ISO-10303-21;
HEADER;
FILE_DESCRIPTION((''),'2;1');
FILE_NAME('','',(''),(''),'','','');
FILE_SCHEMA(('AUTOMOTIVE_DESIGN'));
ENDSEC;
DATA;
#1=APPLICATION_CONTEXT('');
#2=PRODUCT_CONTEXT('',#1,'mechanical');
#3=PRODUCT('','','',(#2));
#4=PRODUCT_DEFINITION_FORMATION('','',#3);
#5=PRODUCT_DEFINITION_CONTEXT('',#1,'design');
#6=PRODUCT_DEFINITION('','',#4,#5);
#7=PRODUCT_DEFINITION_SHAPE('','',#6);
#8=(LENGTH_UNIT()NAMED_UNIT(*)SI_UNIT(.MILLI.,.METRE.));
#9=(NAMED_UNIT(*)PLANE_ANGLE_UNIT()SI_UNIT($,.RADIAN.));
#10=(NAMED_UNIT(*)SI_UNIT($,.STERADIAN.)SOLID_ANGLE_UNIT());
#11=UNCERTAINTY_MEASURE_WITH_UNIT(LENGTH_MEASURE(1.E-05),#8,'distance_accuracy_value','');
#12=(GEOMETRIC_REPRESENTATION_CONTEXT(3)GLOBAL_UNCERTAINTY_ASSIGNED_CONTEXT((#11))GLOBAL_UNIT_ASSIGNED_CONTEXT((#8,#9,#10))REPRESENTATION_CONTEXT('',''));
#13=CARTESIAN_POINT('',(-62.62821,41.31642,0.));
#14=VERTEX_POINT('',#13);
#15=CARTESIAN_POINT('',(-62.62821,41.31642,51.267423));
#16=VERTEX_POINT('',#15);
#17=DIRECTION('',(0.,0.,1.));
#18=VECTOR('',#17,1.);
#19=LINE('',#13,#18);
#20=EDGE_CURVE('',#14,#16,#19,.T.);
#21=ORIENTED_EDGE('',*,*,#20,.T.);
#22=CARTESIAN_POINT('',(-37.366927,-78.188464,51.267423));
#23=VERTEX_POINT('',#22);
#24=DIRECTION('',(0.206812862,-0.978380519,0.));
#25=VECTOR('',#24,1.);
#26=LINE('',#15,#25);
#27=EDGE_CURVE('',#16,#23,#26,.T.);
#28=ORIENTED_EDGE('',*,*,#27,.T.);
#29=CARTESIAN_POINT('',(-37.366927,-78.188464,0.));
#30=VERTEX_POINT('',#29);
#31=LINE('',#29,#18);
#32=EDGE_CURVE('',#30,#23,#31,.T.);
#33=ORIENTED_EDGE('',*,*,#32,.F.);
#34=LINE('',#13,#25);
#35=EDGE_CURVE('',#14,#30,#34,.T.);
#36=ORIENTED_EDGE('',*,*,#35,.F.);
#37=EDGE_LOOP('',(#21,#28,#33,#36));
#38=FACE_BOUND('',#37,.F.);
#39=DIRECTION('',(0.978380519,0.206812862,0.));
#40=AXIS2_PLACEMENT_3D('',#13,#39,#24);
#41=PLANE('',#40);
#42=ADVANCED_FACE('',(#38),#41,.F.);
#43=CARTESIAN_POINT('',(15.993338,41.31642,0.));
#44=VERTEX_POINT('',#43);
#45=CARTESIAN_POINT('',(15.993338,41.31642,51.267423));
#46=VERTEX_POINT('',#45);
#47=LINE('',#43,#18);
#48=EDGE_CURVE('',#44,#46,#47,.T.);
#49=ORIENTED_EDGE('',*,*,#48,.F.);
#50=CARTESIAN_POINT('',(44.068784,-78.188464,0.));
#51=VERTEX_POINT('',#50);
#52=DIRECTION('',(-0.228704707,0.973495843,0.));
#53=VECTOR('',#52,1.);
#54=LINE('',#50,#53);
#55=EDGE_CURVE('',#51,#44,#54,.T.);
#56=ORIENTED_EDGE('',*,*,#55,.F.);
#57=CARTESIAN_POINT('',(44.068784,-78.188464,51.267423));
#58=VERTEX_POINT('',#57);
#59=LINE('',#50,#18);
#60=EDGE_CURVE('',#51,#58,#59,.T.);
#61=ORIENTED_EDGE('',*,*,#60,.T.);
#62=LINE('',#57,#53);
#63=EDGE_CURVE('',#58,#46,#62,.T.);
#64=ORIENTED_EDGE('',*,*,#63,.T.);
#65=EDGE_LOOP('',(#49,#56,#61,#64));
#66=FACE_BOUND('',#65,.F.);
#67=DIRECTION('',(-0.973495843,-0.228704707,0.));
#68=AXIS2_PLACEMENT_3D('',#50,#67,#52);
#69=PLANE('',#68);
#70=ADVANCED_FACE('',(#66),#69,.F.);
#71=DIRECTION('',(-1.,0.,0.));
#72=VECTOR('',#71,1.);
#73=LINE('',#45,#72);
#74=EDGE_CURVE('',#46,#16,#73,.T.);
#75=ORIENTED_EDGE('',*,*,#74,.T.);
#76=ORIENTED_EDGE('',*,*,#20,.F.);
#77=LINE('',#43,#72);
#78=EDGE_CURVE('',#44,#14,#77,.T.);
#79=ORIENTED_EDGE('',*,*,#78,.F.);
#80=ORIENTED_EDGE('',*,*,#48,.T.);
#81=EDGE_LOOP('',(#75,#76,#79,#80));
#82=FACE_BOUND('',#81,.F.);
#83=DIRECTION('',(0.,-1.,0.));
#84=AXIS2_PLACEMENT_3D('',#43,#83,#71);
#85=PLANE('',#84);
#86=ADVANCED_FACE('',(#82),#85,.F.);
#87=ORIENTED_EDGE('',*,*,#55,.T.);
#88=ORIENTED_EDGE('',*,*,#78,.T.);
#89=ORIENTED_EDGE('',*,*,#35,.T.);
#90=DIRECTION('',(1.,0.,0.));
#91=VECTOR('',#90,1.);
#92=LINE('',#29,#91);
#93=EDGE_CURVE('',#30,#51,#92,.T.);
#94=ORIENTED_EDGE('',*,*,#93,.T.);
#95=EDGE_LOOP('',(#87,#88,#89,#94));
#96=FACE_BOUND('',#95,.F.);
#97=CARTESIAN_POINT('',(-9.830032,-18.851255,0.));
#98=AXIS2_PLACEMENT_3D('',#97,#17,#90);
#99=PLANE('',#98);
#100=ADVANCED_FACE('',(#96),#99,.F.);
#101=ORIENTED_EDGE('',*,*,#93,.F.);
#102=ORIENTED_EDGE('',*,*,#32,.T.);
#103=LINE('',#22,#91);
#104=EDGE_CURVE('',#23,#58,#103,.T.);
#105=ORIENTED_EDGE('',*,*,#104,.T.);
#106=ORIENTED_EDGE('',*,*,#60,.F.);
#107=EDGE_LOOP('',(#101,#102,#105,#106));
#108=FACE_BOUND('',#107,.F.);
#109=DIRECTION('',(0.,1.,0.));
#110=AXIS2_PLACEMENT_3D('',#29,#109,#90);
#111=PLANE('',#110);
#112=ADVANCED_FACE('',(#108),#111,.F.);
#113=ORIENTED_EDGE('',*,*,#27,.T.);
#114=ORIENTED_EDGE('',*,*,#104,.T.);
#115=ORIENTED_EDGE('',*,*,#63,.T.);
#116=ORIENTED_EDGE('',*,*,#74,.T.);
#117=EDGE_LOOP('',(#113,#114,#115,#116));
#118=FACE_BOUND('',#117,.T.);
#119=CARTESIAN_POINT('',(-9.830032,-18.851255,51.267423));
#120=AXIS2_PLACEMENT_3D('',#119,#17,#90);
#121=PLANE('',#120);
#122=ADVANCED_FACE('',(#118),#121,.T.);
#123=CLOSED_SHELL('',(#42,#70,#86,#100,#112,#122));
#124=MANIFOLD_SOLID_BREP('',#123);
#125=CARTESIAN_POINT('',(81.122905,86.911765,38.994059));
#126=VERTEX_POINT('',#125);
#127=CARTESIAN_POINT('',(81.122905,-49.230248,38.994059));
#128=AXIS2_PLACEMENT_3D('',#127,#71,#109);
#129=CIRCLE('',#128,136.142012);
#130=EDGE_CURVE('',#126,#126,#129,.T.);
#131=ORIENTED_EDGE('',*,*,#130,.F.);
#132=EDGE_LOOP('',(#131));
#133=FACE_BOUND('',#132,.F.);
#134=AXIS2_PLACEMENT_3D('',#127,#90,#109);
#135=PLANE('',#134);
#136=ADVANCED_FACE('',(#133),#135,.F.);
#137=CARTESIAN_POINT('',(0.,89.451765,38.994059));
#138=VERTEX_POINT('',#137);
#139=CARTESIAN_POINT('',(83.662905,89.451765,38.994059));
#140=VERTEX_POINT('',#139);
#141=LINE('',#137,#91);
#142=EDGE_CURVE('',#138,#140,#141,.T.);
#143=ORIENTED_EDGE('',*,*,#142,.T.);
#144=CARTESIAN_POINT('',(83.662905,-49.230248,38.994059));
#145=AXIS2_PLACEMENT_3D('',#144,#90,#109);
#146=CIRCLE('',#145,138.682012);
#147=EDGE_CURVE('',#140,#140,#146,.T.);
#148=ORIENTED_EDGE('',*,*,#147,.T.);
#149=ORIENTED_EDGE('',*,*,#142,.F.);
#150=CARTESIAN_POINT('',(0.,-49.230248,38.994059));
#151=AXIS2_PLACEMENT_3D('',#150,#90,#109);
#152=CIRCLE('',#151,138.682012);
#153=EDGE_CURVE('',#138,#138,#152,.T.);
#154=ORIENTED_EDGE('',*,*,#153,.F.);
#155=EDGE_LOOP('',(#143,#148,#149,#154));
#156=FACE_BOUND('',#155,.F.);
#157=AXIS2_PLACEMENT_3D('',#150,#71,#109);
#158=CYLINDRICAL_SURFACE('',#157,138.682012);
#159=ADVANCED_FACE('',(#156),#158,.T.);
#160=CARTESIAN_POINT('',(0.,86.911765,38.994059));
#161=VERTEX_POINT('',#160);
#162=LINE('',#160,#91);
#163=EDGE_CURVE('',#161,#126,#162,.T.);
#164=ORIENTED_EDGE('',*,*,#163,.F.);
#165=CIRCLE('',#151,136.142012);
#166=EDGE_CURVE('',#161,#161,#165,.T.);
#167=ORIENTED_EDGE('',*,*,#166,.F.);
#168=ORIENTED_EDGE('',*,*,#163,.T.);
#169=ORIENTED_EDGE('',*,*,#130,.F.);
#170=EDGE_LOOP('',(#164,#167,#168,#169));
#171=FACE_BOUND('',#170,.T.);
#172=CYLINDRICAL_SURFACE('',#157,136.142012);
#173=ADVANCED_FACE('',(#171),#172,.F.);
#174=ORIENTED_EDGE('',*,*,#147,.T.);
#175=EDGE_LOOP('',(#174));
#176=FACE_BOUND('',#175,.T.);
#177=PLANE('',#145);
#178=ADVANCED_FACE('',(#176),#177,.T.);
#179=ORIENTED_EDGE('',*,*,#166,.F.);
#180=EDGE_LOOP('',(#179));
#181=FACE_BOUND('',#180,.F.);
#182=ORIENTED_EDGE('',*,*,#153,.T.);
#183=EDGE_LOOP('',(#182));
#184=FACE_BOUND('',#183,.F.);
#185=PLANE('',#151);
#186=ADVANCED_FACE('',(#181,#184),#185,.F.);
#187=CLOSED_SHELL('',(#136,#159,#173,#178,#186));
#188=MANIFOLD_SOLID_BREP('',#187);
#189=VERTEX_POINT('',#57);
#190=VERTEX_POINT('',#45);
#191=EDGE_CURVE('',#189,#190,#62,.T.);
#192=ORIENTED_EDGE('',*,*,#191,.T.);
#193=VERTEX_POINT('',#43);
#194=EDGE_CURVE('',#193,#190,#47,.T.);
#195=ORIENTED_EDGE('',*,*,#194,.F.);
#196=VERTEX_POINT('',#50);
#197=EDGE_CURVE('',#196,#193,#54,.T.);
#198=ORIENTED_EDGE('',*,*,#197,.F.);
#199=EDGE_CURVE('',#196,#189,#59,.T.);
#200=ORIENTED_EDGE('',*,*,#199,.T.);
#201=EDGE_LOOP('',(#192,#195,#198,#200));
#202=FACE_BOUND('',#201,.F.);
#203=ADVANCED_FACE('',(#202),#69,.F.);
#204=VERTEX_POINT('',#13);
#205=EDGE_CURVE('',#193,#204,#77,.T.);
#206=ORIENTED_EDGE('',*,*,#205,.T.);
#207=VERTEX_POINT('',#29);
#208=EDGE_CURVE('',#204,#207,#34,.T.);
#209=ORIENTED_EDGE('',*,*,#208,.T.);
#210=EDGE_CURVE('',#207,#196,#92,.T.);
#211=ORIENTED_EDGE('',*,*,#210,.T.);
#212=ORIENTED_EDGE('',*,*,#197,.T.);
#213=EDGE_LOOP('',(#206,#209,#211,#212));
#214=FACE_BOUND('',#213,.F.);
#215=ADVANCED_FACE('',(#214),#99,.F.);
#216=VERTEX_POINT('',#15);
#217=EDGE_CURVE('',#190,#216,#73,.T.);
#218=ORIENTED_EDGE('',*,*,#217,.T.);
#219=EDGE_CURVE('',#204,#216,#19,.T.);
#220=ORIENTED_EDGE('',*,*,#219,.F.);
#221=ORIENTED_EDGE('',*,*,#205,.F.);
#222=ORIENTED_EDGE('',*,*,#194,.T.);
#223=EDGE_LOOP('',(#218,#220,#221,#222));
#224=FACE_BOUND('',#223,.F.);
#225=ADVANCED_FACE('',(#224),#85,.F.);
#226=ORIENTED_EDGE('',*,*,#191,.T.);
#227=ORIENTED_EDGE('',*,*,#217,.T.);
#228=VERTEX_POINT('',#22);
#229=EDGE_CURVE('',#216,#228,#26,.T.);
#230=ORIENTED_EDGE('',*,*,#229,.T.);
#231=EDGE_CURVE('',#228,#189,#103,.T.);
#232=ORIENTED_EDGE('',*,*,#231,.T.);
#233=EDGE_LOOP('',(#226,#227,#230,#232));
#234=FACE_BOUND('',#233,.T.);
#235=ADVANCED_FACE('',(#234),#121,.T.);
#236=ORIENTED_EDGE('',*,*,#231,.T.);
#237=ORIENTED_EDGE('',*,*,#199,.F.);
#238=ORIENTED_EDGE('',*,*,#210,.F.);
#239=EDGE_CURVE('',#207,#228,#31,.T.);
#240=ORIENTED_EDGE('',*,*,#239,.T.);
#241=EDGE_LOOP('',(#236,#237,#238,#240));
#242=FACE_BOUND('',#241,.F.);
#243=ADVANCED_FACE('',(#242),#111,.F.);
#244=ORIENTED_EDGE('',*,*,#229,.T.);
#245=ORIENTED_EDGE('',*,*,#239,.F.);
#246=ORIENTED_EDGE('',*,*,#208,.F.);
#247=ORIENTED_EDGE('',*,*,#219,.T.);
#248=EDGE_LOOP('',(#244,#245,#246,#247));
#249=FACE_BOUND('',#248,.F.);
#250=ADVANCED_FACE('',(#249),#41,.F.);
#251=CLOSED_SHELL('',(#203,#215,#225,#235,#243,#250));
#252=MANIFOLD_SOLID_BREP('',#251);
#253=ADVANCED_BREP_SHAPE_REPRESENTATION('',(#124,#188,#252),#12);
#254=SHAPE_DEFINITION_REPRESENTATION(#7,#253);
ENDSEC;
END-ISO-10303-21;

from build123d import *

# Parameters (mm, degrees)
F2_DEPTH = 51.2674227357
F3_R     = 138.682012458
F4_DEPTH = 83.662904799
F5_T     = -2.54


with BuildPart() as f2:
    # F1 (on face) → F2 (new body)
    with BuildSketch(Plane.XY):
        Polygon((44.0687835217, -78.1884640455), (15.9933380783, 41.3164198399), (-62.6282095909, 41.3164198399), (-37.3669266701, -78.1884640455), align=None)
    extrude(amount=F2_DEPTH)


with BuildPart() as f2b:
    # F0 (on Top) → F2, piece 2 (new body)
    with BuildSketch(Plane.XY):
        Polygon((15.9933380783, 41.3164198399), (-62.6282095909, 41.3164198399), (-37.3669266701, -78.1884640455), (44.0687835217, -78.1884640455), align=None)
    extrude(amount=F2_DEPTH)


with BuildPart() as f4:
    # F3 (on Right) → F4 (new body)
    with BuildSketch(Plane.YZ):
        with Locations((-49.230247736, 38.9940589666)):
            Circle(F3_R)
    extrude(amount=F4_DEPTH)

    # F5
    f5_openings = [f4.faces().sort_by_distance(p)[0] for p in [
        (0, -49.230248, 38.994059),
    ]]
    offset(amount=F5_T, openings=f5_openings)


solid = Compound([f2.part, f2b.part, f4.part])
